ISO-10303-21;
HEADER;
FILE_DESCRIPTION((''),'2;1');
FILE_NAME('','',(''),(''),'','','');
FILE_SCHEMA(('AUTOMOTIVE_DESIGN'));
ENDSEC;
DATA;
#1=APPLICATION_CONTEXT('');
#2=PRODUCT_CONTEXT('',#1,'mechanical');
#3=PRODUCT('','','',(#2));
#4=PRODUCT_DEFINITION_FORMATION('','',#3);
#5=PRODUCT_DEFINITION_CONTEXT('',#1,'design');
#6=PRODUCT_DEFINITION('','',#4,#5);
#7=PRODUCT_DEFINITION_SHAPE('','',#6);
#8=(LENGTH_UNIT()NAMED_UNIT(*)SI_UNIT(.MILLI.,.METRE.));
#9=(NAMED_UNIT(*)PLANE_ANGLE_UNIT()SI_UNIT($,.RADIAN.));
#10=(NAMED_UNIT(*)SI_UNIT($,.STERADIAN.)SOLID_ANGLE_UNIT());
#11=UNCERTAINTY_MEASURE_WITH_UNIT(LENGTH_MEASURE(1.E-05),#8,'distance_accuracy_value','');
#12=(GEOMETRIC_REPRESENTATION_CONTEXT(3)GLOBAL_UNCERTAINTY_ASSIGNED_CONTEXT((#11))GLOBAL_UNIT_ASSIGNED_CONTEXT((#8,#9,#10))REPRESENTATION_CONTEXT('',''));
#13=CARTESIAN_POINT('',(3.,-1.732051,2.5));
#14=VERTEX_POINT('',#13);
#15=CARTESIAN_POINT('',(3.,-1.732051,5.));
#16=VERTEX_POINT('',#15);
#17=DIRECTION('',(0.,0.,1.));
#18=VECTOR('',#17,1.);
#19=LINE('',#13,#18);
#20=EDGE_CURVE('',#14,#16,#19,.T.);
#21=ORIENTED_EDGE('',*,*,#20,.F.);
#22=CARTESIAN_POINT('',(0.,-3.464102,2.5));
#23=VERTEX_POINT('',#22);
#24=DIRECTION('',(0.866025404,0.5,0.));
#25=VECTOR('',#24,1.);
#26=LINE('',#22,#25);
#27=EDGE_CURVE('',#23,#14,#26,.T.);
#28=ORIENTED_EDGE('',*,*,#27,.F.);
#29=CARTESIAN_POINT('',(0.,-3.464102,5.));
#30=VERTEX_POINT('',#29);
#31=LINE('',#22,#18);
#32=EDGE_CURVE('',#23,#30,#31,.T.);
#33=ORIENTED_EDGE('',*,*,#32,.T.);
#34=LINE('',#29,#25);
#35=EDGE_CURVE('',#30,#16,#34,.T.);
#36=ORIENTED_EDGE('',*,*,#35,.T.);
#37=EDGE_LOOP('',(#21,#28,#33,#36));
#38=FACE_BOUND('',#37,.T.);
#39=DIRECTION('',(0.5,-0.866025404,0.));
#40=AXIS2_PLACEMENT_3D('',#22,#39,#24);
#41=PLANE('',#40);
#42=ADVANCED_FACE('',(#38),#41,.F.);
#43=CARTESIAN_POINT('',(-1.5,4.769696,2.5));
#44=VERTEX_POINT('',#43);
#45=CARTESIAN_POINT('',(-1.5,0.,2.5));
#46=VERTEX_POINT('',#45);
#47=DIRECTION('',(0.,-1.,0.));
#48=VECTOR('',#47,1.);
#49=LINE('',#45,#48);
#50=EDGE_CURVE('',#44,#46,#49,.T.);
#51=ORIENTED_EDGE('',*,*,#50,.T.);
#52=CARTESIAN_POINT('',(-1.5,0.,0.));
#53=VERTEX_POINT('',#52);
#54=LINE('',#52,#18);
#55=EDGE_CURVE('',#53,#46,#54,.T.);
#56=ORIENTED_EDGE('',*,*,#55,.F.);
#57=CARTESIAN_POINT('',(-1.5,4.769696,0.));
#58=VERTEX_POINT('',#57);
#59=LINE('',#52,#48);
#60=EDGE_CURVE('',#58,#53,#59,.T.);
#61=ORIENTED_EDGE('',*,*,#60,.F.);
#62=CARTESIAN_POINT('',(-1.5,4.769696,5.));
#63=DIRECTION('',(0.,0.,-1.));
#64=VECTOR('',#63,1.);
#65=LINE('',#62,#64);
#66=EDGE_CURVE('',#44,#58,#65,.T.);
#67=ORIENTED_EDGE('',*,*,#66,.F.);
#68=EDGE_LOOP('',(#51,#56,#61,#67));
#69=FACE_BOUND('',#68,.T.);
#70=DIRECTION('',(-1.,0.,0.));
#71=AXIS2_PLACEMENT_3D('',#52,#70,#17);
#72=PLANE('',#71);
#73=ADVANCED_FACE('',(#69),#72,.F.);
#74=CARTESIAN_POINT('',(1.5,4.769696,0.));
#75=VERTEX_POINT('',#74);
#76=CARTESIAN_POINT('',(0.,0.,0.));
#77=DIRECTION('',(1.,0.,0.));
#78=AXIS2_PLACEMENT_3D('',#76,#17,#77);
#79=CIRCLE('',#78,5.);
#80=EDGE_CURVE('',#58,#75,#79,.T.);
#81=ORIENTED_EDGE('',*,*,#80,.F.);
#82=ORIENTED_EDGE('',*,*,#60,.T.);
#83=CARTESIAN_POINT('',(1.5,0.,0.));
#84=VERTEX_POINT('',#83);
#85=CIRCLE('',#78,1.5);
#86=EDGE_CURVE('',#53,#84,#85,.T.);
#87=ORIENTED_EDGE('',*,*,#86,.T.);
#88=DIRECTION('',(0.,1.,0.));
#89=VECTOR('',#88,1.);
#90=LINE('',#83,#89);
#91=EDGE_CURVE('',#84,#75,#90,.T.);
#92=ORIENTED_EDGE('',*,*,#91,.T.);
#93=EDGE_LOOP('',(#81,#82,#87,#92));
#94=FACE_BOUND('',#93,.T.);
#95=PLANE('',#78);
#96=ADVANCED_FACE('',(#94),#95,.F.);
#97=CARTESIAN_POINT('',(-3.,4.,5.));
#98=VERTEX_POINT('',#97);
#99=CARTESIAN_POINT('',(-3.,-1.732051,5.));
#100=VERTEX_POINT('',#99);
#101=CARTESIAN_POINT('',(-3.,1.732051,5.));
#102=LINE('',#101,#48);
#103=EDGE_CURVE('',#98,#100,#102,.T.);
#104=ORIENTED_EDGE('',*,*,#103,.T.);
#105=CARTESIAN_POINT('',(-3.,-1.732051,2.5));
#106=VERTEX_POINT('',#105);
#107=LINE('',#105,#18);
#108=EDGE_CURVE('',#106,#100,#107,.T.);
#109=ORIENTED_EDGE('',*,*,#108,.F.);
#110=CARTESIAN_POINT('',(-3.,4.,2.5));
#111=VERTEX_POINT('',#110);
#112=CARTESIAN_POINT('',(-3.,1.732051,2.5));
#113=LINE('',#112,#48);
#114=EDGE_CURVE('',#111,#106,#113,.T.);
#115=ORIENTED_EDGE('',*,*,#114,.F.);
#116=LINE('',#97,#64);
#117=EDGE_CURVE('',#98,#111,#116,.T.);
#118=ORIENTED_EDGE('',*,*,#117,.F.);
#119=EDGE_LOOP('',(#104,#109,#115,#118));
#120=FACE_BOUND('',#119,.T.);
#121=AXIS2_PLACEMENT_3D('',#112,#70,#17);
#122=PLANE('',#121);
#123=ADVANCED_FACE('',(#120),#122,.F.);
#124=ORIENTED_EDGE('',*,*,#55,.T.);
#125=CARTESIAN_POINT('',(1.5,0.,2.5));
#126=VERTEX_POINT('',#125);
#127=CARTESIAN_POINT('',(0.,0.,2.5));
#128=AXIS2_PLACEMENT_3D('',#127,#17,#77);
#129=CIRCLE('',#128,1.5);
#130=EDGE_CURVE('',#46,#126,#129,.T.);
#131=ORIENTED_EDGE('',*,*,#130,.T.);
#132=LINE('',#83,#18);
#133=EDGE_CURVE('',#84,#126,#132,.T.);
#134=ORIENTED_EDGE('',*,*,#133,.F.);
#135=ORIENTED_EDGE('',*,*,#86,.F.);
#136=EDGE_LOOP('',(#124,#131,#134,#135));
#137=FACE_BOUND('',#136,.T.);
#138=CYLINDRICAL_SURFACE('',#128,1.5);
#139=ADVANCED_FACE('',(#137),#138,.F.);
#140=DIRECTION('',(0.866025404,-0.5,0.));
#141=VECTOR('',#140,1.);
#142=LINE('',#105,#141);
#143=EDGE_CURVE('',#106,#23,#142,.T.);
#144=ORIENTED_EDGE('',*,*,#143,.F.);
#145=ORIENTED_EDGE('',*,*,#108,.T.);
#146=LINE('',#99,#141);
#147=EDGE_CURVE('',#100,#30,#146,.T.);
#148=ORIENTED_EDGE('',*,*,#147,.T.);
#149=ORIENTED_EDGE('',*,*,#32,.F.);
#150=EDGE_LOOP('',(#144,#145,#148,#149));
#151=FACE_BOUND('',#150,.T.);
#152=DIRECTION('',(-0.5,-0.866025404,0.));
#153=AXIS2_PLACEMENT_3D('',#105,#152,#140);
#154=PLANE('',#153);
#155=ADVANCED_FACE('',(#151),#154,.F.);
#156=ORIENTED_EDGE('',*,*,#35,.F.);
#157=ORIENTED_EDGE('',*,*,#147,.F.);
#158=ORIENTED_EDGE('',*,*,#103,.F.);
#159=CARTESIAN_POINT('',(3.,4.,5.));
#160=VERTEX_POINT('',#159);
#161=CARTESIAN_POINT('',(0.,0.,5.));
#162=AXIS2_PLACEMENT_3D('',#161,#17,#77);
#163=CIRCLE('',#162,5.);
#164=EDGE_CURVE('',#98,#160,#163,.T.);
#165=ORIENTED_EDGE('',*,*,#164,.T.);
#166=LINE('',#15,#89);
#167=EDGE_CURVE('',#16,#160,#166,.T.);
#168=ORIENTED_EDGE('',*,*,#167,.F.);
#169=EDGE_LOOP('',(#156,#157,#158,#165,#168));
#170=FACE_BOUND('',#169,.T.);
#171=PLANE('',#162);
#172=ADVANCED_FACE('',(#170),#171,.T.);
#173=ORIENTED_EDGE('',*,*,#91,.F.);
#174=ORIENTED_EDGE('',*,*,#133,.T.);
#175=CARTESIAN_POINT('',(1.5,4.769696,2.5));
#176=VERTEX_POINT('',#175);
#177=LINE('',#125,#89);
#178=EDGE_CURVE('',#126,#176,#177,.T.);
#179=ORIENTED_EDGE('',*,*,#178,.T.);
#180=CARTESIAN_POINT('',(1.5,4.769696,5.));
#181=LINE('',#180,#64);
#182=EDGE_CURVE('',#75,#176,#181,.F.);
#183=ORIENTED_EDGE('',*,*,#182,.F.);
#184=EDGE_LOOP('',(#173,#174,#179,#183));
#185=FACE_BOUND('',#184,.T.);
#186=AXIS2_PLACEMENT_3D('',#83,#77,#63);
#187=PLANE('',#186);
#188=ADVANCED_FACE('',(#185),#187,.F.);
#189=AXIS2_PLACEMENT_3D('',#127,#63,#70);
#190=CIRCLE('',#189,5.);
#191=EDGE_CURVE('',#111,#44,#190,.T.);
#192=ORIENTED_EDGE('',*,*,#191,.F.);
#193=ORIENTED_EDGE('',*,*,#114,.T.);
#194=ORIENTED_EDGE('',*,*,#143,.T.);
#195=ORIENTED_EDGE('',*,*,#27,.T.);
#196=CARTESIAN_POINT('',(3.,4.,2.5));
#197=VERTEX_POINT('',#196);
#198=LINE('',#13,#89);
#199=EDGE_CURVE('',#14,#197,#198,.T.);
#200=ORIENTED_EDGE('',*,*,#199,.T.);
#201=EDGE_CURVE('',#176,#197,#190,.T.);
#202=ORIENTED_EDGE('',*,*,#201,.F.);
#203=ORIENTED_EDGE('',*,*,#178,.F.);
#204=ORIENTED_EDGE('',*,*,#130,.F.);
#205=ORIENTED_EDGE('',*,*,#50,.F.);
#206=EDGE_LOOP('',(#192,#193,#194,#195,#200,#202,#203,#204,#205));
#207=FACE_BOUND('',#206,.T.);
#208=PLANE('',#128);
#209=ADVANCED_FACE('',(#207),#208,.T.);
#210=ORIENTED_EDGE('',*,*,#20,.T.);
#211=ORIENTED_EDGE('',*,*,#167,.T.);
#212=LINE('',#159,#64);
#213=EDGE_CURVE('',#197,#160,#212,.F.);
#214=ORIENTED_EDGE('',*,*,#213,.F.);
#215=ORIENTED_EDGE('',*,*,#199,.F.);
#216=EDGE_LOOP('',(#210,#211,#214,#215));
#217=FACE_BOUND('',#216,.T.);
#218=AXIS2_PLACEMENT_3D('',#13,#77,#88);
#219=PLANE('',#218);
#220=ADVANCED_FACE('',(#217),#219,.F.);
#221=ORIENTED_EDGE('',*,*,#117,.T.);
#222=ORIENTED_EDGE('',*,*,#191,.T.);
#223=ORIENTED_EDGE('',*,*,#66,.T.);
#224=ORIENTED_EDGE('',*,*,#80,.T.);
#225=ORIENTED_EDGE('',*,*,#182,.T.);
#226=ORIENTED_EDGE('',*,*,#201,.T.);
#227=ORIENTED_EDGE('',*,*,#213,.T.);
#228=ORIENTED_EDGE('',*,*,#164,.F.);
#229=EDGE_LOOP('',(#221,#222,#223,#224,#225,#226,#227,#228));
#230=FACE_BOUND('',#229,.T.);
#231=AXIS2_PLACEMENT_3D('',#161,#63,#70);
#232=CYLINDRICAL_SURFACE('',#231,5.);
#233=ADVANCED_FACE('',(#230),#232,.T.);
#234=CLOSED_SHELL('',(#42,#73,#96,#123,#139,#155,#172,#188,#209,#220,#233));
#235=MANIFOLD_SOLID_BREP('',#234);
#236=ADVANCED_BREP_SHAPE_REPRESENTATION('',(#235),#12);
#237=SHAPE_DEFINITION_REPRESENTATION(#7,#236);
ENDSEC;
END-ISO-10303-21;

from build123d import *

# Parameters (mm, degrees)
SZKIC1_R                                 = 5
DODANIE_WYCI_GNI_CIE1_DEPTH              = 5
WYTNIJ_WYCI_GNI_CIE3_DEPTH               = 2.5
OTWORY_USTALAJ_CE_3_0MMCLEARANCE_1_D     = 3
OTWORY_USTALAJ_CE_3_0MMCLEARANCE_1_DEPTH = 7.25
OTWORY_USTALAJ_CE_3_0MMCLEARANCE_1_TIP   = 0.901290929
SZKIC19_W                                = 6
SZKIC19_H                                = 3.662813391
WYTNIJ_WYCI_GNI_CIE8_DEPTH               = 2.5
SZKIC20_W                                = 3
SZKIC20_H                                = 6.977009587
WYTNIJ_WYCI_GNI_CIE9_DEPTH               = 2.5


with BuildPart() as part:
    # Szkic1 → Dodanie-wyciągnięcie1 (new body)
    with BuildSketch(Plane.XY):
        Circle(SZKIC1_R)
    extrude(amount=DODANIE_WYCI_GNI_CIE1_DEPTH)

    # Szkic10 → Wytnij-wyciągnięcie3 (cut)
    with BuildSketch(Plane.XY.offset(5)):
        Polygon((0, 3.464101615), (-3, 1.732050808), (-3, -1.732050808), (0, -3.464101615), (3, -1.732050808), (3, 1.732050808), align=None)
    extrude(amount=-WYTNIJ_WYCI_GNI_CIE3_DEPTH, mode=Mode.SUBTRACT)

    # Otwory ustalające Ø3.0mmClearance 1
    with Locations(Plane.XY.offset(2.5)):
        with Locations((0, 0)):
            Hole(OTWORY_USTALAJ_CE_3_0MMCLEARANCE_1_D / 2, depth=OTWORY_USTALAJ_CE_3_0MMCLEARANCE_1_DEPTH)
            with Locations((0, 0, -(OTWORY_USTALAJ_CE_3_0MMCLEARANCE_1_DEPTH + OTWORY_USTALAJ_CE_3_0MMCLEARANCE_1_TIP / 2))):  # 118° drill point
                Cone(0, OTWORY_USTALAJ_CE_3_0MMCLEARANCE_1_D / 2, OTWORY_USTALAJ_CE_3_0MMCLEARANCE_1_TIP, mode=Mode.SUBTRACT)

    # Szkic19 → Wytnij-wyciągnięcie8 (cut)
    with BuildSketch(Plane.XY.offset(5)):
        with Locations((0, 3.563457504)):
            Rectangle(SZKIC19_W, SZKIC19_H)
    extrude(amount=-WYTNIJ_WYCI_GNI_CIE8_DEPTH, mode=Mode.SUBTRACT)

    # Szkic20 → Wytnij-wyciągnięcie9 (cut)
    with BuildSketch(Plane.XY.offset(2.5)):
        with Locations((0, 3.488504794)):
            Rectangle(SZKIC20_W, SZKIC20_H)
    extrude(amount=-WYTNIJ_WYCI_GNI_CIE9_DEPTH, mode=Mode.SUBTRACT)


solid = part.part
